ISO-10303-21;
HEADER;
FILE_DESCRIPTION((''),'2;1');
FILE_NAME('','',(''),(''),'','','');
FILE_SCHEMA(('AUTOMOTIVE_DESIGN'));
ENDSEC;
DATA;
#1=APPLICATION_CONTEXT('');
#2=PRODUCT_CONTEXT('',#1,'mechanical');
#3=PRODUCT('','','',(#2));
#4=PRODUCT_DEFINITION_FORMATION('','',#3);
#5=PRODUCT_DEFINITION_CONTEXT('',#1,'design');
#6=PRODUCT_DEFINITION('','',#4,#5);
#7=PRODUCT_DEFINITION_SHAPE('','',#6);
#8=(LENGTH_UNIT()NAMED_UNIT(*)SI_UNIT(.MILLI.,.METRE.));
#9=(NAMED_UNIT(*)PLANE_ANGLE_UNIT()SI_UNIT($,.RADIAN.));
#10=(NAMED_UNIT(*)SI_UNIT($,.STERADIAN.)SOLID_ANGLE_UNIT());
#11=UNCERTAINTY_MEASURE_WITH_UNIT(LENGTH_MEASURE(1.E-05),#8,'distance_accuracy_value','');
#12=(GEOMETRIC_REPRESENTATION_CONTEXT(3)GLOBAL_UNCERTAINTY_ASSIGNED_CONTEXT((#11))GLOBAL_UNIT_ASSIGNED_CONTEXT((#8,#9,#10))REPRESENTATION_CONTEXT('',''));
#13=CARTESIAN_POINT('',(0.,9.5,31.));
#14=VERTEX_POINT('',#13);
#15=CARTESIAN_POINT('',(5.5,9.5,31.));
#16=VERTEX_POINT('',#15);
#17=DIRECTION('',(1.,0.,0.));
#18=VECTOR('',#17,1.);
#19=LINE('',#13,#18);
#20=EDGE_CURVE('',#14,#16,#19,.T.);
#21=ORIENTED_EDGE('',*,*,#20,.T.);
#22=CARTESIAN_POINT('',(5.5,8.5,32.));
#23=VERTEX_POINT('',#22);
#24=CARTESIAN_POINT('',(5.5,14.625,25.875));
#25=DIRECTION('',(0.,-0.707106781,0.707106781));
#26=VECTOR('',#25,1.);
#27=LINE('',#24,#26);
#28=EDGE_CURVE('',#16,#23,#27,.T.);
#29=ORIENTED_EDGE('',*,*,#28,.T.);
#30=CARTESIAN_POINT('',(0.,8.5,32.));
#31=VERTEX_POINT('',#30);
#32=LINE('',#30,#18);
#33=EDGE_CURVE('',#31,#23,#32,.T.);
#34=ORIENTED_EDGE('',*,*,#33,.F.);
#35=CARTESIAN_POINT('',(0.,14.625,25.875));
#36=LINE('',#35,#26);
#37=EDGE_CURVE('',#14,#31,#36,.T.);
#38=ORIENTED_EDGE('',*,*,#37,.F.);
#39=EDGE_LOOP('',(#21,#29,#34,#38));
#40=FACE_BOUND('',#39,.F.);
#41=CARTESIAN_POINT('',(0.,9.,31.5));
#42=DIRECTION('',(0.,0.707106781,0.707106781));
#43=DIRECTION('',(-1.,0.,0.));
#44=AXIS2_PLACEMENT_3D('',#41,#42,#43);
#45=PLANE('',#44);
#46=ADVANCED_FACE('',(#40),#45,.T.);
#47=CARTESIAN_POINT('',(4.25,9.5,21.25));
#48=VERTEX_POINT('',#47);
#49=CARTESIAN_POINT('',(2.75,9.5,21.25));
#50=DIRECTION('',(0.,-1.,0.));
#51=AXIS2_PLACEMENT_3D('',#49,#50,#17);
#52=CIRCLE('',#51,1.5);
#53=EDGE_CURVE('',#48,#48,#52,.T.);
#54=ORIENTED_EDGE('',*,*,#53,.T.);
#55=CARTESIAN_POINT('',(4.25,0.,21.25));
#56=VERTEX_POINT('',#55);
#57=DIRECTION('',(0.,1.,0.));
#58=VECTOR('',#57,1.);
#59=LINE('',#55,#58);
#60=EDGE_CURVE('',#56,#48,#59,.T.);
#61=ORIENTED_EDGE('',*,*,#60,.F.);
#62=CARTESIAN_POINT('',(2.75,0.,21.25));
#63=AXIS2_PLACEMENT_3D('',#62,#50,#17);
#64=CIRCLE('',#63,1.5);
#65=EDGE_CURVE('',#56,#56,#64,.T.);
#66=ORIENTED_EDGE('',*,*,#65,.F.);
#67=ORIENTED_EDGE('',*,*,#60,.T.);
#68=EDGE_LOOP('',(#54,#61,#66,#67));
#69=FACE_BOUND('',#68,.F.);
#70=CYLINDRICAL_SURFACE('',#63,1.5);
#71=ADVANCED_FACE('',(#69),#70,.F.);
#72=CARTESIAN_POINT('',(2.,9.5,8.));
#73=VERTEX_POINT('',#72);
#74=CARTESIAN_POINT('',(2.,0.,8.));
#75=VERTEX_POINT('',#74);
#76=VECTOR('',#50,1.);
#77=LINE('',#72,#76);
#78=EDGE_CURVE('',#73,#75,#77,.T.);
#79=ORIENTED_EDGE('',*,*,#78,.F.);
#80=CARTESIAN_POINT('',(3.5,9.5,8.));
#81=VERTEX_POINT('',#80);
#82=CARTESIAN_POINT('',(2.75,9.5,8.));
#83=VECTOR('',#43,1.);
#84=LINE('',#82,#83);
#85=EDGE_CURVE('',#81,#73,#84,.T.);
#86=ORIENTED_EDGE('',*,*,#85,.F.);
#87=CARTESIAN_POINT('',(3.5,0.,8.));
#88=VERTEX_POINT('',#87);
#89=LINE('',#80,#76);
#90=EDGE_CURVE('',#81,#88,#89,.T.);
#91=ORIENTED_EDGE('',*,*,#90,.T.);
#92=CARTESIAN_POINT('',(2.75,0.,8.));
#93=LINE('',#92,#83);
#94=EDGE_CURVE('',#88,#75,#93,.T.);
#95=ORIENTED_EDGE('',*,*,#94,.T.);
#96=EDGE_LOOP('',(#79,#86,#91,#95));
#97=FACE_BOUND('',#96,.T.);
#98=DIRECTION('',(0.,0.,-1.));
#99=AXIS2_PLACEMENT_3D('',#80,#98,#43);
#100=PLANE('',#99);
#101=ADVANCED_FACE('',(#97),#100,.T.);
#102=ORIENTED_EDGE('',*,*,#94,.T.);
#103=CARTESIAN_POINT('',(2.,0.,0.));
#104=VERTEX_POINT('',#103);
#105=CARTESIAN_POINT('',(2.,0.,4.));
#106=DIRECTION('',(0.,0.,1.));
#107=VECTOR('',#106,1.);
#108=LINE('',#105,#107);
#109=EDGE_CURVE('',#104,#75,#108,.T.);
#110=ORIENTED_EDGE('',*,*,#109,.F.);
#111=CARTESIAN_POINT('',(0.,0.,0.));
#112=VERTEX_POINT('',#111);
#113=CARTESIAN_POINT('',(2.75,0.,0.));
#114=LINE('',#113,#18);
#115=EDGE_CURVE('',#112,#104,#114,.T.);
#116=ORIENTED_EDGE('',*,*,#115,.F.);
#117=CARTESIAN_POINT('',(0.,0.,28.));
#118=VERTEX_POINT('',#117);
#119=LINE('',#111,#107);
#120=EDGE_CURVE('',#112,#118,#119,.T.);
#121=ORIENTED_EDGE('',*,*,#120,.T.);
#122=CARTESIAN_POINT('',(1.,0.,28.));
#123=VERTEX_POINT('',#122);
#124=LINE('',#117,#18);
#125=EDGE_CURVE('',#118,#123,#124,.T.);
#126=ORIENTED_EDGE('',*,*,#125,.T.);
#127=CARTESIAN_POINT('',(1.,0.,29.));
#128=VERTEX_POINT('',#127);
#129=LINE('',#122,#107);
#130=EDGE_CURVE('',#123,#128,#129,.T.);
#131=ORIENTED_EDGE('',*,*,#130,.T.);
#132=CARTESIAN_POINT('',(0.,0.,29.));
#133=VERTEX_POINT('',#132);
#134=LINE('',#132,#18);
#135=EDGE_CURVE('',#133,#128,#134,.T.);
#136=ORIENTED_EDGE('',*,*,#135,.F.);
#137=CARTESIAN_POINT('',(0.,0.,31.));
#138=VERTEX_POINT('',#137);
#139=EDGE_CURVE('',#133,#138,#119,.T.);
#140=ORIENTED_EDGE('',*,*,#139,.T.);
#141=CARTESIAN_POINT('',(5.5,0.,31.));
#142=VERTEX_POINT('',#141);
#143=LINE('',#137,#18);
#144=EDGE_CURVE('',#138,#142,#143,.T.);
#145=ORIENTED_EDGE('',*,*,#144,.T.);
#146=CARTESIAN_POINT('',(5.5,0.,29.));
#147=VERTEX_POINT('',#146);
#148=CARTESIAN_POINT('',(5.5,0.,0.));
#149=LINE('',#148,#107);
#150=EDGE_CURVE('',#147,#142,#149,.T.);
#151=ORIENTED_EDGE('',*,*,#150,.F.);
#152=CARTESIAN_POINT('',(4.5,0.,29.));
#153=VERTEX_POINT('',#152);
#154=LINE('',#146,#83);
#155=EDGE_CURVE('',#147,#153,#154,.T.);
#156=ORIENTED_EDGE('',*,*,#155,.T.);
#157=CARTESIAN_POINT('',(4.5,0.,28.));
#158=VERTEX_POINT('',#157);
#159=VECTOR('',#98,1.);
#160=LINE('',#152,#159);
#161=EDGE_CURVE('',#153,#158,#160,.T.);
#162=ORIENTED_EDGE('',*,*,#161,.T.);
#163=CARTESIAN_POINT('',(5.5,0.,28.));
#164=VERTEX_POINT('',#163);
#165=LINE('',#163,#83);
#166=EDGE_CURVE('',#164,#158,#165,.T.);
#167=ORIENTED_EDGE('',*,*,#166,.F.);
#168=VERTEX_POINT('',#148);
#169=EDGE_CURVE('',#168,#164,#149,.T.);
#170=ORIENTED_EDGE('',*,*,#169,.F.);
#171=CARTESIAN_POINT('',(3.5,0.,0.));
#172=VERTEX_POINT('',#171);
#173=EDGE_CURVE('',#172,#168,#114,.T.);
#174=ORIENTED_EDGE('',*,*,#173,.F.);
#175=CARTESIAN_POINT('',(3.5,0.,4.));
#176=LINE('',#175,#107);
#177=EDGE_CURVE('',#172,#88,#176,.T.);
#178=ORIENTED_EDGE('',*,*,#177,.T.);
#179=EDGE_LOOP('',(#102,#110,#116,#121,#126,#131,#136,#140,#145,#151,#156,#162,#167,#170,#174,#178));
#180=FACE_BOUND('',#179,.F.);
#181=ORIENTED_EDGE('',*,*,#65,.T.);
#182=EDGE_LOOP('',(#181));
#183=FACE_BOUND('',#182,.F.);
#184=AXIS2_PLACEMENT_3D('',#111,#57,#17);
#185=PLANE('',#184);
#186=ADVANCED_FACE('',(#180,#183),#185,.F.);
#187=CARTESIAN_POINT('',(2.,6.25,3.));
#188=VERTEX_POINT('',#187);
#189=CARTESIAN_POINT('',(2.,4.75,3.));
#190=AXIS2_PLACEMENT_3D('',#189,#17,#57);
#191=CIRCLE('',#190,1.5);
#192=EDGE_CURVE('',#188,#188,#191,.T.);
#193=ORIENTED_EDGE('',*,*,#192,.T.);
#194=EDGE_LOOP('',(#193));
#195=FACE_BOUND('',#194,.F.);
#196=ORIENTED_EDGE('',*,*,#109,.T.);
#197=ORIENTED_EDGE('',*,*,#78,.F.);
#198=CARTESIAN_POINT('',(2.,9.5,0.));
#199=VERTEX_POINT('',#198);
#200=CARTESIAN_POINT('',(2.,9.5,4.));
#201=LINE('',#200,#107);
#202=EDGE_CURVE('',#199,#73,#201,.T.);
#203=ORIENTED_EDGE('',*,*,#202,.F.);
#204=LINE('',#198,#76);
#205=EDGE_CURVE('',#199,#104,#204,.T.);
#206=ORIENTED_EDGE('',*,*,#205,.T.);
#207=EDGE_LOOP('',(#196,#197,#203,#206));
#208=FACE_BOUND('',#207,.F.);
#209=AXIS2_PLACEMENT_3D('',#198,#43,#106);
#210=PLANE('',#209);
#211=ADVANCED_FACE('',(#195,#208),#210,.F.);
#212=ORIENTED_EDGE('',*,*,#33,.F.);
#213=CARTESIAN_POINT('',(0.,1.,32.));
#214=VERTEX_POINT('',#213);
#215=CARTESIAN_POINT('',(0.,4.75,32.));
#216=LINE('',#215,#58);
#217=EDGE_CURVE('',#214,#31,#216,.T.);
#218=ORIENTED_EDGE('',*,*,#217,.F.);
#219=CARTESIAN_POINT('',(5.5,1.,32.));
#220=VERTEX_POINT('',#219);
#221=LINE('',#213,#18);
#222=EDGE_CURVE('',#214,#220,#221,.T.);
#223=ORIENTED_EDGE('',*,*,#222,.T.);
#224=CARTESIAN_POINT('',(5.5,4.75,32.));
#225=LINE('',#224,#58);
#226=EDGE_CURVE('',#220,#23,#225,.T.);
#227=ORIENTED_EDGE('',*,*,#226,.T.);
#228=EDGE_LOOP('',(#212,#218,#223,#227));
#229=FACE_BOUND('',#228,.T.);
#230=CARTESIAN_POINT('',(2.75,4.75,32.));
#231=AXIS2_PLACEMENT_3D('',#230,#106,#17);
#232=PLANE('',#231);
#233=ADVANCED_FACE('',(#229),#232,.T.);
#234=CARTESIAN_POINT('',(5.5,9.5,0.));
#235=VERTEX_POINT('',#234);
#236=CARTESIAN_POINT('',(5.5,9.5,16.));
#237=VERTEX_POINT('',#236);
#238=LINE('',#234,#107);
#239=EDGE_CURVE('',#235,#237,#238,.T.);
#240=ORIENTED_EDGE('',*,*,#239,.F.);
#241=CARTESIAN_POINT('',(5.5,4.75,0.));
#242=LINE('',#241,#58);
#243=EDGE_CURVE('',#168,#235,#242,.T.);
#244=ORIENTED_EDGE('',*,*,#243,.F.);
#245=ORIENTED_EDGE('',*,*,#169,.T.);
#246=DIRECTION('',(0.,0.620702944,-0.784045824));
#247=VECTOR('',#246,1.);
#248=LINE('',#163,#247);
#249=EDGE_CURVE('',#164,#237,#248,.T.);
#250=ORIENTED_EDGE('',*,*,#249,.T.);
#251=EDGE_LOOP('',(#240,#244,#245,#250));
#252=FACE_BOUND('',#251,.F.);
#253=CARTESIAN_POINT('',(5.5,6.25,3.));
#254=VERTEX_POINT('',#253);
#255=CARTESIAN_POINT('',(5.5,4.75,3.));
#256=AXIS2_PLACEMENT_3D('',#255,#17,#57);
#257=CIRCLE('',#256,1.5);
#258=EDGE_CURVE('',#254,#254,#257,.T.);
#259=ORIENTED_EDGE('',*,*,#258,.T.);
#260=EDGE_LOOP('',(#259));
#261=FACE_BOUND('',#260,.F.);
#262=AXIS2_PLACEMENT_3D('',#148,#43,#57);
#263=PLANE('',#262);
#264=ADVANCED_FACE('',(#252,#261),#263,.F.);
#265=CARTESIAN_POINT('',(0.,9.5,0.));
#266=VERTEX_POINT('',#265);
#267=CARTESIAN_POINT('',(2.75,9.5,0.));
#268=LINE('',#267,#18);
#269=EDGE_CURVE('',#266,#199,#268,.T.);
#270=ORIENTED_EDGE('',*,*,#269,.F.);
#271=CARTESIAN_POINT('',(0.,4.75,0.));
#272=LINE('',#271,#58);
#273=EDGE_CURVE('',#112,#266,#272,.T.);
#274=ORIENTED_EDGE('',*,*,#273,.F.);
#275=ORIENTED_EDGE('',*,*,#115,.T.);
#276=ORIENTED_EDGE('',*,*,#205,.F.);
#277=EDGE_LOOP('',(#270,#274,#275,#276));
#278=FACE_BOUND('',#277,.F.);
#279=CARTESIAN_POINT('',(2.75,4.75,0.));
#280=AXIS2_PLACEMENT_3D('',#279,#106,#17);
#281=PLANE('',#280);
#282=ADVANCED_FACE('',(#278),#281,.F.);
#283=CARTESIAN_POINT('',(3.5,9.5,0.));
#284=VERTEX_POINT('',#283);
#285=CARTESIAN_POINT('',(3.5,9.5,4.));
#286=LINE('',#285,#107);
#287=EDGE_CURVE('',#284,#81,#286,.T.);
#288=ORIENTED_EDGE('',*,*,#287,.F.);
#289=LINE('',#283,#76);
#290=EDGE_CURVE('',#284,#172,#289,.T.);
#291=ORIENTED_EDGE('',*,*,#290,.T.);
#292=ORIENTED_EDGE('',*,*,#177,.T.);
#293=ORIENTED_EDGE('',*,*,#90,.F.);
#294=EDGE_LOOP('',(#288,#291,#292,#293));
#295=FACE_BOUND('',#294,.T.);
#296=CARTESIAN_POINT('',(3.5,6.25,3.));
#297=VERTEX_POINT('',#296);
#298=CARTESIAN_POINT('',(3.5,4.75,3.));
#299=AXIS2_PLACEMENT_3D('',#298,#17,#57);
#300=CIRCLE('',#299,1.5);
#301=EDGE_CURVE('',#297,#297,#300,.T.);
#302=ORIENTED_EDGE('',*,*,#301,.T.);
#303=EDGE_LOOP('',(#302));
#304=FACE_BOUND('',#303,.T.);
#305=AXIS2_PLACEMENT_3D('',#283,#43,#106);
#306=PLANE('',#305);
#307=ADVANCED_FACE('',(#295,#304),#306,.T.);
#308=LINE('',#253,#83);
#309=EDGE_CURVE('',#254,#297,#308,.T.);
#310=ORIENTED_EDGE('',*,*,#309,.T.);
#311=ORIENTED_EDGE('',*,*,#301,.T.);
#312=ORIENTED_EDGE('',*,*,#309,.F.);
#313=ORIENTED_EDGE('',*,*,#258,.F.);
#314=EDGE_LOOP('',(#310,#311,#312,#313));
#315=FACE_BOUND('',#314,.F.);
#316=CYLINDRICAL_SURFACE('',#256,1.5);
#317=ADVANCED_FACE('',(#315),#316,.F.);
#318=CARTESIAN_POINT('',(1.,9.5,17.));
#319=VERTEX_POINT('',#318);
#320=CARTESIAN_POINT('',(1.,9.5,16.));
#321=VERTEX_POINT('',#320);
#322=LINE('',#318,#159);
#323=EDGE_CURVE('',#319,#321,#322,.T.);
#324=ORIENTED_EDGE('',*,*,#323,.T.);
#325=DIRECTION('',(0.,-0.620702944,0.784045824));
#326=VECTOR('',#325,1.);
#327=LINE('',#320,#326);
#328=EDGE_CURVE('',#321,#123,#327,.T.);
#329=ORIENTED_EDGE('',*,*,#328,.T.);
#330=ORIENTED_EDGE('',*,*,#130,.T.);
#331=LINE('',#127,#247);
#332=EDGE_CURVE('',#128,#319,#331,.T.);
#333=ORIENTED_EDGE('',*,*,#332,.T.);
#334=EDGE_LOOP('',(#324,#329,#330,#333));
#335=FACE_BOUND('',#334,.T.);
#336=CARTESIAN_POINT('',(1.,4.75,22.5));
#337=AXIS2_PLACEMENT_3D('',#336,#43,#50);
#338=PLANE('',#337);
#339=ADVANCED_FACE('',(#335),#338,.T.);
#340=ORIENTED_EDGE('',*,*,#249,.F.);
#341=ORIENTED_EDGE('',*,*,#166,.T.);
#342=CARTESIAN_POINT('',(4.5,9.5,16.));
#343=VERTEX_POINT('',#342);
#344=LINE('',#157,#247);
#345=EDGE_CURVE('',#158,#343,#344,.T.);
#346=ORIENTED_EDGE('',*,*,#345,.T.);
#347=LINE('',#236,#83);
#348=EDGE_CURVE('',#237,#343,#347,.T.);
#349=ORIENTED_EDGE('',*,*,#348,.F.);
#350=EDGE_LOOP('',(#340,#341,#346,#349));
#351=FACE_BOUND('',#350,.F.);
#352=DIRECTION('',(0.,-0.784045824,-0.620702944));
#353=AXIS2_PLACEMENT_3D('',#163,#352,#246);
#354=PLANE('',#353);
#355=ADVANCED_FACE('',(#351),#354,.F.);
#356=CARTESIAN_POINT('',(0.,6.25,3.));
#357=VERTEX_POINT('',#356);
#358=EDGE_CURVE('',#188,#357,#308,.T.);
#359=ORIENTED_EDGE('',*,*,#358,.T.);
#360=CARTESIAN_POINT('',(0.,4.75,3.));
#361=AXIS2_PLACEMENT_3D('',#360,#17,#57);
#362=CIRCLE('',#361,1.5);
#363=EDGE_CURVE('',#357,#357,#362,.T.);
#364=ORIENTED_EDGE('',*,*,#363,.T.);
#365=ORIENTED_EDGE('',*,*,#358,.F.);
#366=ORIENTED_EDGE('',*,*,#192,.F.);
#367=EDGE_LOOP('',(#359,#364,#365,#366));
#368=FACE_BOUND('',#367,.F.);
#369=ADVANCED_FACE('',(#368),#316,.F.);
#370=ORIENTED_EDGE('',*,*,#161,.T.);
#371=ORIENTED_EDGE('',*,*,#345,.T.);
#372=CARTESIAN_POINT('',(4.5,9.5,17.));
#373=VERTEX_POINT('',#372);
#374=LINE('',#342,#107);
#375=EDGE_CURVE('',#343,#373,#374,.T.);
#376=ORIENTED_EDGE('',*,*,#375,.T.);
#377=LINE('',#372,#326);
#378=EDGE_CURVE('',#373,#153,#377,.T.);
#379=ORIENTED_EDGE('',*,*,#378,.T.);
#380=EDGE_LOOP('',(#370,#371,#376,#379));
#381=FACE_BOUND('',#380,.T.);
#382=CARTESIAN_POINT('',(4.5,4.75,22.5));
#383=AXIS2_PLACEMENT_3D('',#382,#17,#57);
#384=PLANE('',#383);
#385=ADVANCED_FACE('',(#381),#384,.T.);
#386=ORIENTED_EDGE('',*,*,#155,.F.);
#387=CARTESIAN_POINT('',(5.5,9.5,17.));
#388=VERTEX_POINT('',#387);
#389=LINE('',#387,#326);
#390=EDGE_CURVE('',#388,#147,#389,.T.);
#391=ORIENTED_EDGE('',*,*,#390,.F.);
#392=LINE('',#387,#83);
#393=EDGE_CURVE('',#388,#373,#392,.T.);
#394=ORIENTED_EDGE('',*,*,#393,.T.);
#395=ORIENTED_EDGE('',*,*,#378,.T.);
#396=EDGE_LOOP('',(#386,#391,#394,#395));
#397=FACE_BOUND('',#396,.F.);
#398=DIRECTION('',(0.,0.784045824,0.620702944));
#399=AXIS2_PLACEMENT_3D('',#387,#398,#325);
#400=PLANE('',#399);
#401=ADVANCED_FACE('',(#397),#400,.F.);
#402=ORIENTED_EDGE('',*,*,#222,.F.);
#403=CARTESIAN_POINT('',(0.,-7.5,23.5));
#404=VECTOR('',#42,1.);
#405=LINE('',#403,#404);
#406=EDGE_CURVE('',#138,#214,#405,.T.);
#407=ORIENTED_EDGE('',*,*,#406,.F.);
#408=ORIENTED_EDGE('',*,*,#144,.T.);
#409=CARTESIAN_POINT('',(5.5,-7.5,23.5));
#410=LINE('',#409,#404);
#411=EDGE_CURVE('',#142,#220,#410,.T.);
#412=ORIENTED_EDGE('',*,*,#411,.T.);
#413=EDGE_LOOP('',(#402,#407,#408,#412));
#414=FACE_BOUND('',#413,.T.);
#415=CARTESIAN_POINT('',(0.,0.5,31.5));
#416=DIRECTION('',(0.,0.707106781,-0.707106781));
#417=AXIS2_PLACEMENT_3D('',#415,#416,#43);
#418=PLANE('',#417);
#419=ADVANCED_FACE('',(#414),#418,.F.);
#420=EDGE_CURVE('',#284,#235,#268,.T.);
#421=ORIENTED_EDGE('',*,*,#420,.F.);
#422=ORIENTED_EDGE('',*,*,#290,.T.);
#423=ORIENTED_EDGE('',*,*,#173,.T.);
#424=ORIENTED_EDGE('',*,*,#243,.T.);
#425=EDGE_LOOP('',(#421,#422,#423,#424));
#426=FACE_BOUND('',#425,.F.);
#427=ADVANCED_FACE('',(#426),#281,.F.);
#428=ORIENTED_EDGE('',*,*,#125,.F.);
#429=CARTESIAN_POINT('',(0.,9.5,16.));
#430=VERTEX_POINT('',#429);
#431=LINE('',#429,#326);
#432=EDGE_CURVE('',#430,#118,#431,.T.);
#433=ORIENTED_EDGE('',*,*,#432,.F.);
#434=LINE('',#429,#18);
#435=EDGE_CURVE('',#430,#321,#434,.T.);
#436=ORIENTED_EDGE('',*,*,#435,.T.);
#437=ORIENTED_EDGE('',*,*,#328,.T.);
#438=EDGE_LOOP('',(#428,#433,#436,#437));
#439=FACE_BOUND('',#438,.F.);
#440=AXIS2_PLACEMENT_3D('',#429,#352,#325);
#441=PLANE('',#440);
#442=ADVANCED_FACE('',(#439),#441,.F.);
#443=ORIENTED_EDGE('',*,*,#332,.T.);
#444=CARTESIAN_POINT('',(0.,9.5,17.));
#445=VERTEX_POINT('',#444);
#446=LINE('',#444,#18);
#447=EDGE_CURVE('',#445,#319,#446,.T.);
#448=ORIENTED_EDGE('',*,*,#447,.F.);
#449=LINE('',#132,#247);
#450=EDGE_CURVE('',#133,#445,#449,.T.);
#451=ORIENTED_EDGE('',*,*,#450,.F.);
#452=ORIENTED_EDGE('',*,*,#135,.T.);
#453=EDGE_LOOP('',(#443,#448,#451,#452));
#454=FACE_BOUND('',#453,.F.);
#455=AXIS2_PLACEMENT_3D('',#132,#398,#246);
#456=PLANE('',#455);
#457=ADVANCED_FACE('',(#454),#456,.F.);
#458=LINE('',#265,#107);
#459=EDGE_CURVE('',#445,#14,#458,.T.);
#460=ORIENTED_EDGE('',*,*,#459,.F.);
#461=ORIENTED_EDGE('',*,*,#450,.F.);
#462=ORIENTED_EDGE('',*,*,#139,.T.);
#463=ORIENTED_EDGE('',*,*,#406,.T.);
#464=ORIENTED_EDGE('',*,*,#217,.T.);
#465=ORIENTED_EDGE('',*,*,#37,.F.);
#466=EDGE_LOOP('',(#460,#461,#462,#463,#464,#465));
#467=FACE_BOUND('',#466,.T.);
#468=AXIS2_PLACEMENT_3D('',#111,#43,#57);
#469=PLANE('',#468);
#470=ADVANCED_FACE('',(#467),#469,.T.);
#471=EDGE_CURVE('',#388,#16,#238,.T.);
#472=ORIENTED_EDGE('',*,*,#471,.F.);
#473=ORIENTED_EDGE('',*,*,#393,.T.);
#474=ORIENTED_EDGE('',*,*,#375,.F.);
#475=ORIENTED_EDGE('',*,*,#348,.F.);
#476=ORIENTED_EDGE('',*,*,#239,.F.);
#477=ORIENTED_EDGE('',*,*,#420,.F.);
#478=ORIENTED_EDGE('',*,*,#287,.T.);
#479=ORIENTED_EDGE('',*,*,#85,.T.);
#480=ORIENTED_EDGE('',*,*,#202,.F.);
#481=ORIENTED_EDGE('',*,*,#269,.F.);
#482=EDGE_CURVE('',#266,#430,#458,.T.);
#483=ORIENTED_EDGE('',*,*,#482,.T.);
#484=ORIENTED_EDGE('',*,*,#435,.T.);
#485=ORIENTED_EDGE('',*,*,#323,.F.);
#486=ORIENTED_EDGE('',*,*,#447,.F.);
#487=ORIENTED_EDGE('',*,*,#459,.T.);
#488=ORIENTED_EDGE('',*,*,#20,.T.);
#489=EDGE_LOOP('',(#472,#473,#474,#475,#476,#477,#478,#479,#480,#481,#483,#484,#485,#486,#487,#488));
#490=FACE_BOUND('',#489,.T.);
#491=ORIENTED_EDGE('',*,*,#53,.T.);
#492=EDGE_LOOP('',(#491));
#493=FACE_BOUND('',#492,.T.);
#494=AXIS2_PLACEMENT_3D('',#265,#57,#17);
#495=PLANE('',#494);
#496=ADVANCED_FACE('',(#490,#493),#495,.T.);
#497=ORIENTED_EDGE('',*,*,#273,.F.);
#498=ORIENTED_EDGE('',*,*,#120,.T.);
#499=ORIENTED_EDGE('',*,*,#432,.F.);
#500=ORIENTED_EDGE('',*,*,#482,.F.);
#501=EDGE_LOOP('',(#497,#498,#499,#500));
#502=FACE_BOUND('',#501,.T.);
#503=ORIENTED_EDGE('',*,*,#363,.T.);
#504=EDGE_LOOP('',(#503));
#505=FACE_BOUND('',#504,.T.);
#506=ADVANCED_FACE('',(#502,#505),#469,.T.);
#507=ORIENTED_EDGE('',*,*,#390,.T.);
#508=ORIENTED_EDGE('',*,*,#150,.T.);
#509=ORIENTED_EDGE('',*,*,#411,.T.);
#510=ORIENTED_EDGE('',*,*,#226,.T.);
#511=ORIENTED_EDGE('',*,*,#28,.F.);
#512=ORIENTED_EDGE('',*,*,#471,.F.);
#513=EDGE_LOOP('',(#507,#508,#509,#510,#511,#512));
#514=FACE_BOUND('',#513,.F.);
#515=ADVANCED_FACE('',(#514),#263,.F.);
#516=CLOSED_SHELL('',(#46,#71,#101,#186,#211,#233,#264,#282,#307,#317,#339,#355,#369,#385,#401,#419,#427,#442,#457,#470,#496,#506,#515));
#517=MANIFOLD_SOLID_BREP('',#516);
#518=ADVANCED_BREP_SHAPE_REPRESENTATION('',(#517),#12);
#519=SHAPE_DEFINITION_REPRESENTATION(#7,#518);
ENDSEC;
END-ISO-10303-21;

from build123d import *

# Parameters (mm, degrees)
F0_W      = 5.5
F0_H      = 9.5
F1_DEPTH  = 32
F2_SIZE   = 1
F3_R      = 1.5
F4_DEPTH  = 5.5
F5_W      = 1.5
F5_H      = 8
F6_DEPTH  = 9.5
F8_DEPTH  = 1
F10_DEPTH = 1
F11_R     = 1.5
F12_DEPTH = 9.5


with BuildPart() as f1:
    # F0 (on Top) → F1 (new body)
    with BuildSketch(Plane.XY):
        with Locations((2.75, 4.75)):
            Rectangle(F0_W, F0_H)
    extrude(amount=F1_DEPTH)

    # F2
    f2_edges = [f1.edges().sort_by_distance(p)[0] for p in [
        (2.75, 0, 32),
        (2.75, 9.5, 32),
    ]]
    chamfer(f2_edges, length=F2_SIZE)

    # F3 (on face) → F4 (cut, through all)
    with BuildSketch(Plane.YZ.offset(5.5)):
        with Locations((4.75, 3)):
            Circle(F3_R)
    extrude(amount=-F4_DEPTH, mode=Mode.SUBTRACT)

    # F5 (on face) → F6 (cut, through all)
    with BuildSketch(Plane(origin=(0, 9.5, 0), x_dir=(-1, 0, 0), z_dir=(0, 1, 0))):
        with Locations((-2.75, 4)):
            Rectangle(F5_W, F5_H)
    extrude(amount=-F6_DEPTH, mode=Mode.SUBTRACT)

    # F7 (on face) → F8 (cut)
    with BuildSketch(Plane.YZ.offset(5.5)):
        Polygon((9.5, 17), (0, 29), (0, 28), (9.5, 16), align=None)
    extrude(amount=-F8_DEPTH, mode=Mode.SUBTRACT)

    # F9 (on face) → F10 (cut)
    with BuildSketch(Plane(origin=(0, 0, 0), x_dir=(0, -1, 0), z_dir=(-1, 0, 0))):
        Polygon((0, 28), (0, 29), (-9.5, 17), (-9.5, 16), align=None)
    extrude(amount=-F10_DEPTH, mode=Mode.SUBTRACT)

    # F11 (on face) → F12 (cut, through all)
    with BuildSketch(Plane.XZ):
        with Locations((2.75, 21.25)):
            Circle(F11_R)
    extrude(amount=-F12_DEPTH, mode=Mode.SUBTRACT)


solid = f1.part
